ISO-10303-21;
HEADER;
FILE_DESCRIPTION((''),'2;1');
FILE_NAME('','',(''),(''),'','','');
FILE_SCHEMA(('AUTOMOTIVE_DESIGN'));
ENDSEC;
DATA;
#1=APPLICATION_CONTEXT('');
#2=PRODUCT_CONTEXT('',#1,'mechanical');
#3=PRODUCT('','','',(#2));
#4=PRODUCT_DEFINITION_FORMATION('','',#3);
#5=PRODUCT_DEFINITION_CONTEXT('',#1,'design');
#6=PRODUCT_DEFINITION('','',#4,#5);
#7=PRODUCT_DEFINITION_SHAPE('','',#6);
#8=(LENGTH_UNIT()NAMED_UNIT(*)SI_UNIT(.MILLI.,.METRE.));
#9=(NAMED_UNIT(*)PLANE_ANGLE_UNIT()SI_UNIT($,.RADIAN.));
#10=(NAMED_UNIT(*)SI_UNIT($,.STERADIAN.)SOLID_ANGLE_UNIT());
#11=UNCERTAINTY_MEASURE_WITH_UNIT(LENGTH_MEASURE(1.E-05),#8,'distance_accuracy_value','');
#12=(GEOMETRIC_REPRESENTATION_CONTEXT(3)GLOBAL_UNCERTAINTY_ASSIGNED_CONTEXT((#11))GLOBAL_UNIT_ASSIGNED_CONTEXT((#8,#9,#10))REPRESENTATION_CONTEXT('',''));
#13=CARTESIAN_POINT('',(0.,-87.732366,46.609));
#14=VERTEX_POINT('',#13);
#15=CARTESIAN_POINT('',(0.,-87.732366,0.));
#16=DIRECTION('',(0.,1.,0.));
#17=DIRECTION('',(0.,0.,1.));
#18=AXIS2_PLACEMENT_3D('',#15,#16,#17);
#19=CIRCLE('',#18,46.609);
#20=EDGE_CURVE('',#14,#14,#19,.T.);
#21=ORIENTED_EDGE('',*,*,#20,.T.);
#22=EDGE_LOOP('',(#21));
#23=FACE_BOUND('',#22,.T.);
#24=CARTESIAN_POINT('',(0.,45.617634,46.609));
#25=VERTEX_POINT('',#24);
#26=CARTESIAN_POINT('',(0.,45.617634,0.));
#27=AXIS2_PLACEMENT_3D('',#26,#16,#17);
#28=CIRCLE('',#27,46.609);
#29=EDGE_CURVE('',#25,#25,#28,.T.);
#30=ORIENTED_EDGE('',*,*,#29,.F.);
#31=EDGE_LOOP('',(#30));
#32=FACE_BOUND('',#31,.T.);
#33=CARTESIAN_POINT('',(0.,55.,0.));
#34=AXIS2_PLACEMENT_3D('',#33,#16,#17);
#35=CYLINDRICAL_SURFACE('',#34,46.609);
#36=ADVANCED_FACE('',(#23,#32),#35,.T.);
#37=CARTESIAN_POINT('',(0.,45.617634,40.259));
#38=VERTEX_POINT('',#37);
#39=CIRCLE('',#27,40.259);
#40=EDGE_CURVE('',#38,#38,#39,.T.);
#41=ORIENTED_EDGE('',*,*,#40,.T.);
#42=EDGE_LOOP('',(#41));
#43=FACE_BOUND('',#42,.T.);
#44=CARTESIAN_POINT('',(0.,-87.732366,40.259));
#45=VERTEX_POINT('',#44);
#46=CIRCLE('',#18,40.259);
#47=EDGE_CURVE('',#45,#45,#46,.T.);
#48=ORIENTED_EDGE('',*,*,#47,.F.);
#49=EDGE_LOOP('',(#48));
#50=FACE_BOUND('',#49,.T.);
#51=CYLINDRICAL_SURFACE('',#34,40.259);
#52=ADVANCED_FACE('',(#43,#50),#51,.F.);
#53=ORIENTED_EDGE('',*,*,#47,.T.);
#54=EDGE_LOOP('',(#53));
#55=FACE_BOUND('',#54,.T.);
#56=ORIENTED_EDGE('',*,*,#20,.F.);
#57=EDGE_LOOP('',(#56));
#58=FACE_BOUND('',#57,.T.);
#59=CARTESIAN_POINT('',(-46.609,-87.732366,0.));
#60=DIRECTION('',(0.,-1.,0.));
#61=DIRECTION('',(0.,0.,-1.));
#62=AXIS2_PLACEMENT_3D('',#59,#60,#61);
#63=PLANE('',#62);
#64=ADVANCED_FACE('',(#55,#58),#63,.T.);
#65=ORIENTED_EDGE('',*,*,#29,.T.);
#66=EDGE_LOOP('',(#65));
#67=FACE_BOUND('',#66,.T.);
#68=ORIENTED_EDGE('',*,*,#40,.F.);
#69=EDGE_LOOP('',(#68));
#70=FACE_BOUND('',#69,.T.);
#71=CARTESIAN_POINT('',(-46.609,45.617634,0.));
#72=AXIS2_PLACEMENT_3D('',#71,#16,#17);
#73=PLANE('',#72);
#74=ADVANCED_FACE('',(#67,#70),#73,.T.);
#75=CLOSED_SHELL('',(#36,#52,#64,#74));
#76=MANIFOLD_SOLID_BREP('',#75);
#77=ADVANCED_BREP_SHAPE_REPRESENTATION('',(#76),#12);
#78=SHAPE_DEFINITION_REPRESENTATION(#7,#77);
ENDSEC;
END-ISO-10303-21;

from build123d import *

# Parameters (mm, degrees)
SKETCH1_W = 6.35
SKETCH1_H = 133.35


with BuildPart() as part:
    # Sketch1 → Revolve1 (revolve)
    with BuildSketch(Plane.XY):
        with Locations((-43.434, -21.057365567)):
            Rectangle(SKETCH1_W, SKETCH1_H)
    revolve(axis=Axis((0, 55, 0), (0, -1, 0)))


solid = part.part
